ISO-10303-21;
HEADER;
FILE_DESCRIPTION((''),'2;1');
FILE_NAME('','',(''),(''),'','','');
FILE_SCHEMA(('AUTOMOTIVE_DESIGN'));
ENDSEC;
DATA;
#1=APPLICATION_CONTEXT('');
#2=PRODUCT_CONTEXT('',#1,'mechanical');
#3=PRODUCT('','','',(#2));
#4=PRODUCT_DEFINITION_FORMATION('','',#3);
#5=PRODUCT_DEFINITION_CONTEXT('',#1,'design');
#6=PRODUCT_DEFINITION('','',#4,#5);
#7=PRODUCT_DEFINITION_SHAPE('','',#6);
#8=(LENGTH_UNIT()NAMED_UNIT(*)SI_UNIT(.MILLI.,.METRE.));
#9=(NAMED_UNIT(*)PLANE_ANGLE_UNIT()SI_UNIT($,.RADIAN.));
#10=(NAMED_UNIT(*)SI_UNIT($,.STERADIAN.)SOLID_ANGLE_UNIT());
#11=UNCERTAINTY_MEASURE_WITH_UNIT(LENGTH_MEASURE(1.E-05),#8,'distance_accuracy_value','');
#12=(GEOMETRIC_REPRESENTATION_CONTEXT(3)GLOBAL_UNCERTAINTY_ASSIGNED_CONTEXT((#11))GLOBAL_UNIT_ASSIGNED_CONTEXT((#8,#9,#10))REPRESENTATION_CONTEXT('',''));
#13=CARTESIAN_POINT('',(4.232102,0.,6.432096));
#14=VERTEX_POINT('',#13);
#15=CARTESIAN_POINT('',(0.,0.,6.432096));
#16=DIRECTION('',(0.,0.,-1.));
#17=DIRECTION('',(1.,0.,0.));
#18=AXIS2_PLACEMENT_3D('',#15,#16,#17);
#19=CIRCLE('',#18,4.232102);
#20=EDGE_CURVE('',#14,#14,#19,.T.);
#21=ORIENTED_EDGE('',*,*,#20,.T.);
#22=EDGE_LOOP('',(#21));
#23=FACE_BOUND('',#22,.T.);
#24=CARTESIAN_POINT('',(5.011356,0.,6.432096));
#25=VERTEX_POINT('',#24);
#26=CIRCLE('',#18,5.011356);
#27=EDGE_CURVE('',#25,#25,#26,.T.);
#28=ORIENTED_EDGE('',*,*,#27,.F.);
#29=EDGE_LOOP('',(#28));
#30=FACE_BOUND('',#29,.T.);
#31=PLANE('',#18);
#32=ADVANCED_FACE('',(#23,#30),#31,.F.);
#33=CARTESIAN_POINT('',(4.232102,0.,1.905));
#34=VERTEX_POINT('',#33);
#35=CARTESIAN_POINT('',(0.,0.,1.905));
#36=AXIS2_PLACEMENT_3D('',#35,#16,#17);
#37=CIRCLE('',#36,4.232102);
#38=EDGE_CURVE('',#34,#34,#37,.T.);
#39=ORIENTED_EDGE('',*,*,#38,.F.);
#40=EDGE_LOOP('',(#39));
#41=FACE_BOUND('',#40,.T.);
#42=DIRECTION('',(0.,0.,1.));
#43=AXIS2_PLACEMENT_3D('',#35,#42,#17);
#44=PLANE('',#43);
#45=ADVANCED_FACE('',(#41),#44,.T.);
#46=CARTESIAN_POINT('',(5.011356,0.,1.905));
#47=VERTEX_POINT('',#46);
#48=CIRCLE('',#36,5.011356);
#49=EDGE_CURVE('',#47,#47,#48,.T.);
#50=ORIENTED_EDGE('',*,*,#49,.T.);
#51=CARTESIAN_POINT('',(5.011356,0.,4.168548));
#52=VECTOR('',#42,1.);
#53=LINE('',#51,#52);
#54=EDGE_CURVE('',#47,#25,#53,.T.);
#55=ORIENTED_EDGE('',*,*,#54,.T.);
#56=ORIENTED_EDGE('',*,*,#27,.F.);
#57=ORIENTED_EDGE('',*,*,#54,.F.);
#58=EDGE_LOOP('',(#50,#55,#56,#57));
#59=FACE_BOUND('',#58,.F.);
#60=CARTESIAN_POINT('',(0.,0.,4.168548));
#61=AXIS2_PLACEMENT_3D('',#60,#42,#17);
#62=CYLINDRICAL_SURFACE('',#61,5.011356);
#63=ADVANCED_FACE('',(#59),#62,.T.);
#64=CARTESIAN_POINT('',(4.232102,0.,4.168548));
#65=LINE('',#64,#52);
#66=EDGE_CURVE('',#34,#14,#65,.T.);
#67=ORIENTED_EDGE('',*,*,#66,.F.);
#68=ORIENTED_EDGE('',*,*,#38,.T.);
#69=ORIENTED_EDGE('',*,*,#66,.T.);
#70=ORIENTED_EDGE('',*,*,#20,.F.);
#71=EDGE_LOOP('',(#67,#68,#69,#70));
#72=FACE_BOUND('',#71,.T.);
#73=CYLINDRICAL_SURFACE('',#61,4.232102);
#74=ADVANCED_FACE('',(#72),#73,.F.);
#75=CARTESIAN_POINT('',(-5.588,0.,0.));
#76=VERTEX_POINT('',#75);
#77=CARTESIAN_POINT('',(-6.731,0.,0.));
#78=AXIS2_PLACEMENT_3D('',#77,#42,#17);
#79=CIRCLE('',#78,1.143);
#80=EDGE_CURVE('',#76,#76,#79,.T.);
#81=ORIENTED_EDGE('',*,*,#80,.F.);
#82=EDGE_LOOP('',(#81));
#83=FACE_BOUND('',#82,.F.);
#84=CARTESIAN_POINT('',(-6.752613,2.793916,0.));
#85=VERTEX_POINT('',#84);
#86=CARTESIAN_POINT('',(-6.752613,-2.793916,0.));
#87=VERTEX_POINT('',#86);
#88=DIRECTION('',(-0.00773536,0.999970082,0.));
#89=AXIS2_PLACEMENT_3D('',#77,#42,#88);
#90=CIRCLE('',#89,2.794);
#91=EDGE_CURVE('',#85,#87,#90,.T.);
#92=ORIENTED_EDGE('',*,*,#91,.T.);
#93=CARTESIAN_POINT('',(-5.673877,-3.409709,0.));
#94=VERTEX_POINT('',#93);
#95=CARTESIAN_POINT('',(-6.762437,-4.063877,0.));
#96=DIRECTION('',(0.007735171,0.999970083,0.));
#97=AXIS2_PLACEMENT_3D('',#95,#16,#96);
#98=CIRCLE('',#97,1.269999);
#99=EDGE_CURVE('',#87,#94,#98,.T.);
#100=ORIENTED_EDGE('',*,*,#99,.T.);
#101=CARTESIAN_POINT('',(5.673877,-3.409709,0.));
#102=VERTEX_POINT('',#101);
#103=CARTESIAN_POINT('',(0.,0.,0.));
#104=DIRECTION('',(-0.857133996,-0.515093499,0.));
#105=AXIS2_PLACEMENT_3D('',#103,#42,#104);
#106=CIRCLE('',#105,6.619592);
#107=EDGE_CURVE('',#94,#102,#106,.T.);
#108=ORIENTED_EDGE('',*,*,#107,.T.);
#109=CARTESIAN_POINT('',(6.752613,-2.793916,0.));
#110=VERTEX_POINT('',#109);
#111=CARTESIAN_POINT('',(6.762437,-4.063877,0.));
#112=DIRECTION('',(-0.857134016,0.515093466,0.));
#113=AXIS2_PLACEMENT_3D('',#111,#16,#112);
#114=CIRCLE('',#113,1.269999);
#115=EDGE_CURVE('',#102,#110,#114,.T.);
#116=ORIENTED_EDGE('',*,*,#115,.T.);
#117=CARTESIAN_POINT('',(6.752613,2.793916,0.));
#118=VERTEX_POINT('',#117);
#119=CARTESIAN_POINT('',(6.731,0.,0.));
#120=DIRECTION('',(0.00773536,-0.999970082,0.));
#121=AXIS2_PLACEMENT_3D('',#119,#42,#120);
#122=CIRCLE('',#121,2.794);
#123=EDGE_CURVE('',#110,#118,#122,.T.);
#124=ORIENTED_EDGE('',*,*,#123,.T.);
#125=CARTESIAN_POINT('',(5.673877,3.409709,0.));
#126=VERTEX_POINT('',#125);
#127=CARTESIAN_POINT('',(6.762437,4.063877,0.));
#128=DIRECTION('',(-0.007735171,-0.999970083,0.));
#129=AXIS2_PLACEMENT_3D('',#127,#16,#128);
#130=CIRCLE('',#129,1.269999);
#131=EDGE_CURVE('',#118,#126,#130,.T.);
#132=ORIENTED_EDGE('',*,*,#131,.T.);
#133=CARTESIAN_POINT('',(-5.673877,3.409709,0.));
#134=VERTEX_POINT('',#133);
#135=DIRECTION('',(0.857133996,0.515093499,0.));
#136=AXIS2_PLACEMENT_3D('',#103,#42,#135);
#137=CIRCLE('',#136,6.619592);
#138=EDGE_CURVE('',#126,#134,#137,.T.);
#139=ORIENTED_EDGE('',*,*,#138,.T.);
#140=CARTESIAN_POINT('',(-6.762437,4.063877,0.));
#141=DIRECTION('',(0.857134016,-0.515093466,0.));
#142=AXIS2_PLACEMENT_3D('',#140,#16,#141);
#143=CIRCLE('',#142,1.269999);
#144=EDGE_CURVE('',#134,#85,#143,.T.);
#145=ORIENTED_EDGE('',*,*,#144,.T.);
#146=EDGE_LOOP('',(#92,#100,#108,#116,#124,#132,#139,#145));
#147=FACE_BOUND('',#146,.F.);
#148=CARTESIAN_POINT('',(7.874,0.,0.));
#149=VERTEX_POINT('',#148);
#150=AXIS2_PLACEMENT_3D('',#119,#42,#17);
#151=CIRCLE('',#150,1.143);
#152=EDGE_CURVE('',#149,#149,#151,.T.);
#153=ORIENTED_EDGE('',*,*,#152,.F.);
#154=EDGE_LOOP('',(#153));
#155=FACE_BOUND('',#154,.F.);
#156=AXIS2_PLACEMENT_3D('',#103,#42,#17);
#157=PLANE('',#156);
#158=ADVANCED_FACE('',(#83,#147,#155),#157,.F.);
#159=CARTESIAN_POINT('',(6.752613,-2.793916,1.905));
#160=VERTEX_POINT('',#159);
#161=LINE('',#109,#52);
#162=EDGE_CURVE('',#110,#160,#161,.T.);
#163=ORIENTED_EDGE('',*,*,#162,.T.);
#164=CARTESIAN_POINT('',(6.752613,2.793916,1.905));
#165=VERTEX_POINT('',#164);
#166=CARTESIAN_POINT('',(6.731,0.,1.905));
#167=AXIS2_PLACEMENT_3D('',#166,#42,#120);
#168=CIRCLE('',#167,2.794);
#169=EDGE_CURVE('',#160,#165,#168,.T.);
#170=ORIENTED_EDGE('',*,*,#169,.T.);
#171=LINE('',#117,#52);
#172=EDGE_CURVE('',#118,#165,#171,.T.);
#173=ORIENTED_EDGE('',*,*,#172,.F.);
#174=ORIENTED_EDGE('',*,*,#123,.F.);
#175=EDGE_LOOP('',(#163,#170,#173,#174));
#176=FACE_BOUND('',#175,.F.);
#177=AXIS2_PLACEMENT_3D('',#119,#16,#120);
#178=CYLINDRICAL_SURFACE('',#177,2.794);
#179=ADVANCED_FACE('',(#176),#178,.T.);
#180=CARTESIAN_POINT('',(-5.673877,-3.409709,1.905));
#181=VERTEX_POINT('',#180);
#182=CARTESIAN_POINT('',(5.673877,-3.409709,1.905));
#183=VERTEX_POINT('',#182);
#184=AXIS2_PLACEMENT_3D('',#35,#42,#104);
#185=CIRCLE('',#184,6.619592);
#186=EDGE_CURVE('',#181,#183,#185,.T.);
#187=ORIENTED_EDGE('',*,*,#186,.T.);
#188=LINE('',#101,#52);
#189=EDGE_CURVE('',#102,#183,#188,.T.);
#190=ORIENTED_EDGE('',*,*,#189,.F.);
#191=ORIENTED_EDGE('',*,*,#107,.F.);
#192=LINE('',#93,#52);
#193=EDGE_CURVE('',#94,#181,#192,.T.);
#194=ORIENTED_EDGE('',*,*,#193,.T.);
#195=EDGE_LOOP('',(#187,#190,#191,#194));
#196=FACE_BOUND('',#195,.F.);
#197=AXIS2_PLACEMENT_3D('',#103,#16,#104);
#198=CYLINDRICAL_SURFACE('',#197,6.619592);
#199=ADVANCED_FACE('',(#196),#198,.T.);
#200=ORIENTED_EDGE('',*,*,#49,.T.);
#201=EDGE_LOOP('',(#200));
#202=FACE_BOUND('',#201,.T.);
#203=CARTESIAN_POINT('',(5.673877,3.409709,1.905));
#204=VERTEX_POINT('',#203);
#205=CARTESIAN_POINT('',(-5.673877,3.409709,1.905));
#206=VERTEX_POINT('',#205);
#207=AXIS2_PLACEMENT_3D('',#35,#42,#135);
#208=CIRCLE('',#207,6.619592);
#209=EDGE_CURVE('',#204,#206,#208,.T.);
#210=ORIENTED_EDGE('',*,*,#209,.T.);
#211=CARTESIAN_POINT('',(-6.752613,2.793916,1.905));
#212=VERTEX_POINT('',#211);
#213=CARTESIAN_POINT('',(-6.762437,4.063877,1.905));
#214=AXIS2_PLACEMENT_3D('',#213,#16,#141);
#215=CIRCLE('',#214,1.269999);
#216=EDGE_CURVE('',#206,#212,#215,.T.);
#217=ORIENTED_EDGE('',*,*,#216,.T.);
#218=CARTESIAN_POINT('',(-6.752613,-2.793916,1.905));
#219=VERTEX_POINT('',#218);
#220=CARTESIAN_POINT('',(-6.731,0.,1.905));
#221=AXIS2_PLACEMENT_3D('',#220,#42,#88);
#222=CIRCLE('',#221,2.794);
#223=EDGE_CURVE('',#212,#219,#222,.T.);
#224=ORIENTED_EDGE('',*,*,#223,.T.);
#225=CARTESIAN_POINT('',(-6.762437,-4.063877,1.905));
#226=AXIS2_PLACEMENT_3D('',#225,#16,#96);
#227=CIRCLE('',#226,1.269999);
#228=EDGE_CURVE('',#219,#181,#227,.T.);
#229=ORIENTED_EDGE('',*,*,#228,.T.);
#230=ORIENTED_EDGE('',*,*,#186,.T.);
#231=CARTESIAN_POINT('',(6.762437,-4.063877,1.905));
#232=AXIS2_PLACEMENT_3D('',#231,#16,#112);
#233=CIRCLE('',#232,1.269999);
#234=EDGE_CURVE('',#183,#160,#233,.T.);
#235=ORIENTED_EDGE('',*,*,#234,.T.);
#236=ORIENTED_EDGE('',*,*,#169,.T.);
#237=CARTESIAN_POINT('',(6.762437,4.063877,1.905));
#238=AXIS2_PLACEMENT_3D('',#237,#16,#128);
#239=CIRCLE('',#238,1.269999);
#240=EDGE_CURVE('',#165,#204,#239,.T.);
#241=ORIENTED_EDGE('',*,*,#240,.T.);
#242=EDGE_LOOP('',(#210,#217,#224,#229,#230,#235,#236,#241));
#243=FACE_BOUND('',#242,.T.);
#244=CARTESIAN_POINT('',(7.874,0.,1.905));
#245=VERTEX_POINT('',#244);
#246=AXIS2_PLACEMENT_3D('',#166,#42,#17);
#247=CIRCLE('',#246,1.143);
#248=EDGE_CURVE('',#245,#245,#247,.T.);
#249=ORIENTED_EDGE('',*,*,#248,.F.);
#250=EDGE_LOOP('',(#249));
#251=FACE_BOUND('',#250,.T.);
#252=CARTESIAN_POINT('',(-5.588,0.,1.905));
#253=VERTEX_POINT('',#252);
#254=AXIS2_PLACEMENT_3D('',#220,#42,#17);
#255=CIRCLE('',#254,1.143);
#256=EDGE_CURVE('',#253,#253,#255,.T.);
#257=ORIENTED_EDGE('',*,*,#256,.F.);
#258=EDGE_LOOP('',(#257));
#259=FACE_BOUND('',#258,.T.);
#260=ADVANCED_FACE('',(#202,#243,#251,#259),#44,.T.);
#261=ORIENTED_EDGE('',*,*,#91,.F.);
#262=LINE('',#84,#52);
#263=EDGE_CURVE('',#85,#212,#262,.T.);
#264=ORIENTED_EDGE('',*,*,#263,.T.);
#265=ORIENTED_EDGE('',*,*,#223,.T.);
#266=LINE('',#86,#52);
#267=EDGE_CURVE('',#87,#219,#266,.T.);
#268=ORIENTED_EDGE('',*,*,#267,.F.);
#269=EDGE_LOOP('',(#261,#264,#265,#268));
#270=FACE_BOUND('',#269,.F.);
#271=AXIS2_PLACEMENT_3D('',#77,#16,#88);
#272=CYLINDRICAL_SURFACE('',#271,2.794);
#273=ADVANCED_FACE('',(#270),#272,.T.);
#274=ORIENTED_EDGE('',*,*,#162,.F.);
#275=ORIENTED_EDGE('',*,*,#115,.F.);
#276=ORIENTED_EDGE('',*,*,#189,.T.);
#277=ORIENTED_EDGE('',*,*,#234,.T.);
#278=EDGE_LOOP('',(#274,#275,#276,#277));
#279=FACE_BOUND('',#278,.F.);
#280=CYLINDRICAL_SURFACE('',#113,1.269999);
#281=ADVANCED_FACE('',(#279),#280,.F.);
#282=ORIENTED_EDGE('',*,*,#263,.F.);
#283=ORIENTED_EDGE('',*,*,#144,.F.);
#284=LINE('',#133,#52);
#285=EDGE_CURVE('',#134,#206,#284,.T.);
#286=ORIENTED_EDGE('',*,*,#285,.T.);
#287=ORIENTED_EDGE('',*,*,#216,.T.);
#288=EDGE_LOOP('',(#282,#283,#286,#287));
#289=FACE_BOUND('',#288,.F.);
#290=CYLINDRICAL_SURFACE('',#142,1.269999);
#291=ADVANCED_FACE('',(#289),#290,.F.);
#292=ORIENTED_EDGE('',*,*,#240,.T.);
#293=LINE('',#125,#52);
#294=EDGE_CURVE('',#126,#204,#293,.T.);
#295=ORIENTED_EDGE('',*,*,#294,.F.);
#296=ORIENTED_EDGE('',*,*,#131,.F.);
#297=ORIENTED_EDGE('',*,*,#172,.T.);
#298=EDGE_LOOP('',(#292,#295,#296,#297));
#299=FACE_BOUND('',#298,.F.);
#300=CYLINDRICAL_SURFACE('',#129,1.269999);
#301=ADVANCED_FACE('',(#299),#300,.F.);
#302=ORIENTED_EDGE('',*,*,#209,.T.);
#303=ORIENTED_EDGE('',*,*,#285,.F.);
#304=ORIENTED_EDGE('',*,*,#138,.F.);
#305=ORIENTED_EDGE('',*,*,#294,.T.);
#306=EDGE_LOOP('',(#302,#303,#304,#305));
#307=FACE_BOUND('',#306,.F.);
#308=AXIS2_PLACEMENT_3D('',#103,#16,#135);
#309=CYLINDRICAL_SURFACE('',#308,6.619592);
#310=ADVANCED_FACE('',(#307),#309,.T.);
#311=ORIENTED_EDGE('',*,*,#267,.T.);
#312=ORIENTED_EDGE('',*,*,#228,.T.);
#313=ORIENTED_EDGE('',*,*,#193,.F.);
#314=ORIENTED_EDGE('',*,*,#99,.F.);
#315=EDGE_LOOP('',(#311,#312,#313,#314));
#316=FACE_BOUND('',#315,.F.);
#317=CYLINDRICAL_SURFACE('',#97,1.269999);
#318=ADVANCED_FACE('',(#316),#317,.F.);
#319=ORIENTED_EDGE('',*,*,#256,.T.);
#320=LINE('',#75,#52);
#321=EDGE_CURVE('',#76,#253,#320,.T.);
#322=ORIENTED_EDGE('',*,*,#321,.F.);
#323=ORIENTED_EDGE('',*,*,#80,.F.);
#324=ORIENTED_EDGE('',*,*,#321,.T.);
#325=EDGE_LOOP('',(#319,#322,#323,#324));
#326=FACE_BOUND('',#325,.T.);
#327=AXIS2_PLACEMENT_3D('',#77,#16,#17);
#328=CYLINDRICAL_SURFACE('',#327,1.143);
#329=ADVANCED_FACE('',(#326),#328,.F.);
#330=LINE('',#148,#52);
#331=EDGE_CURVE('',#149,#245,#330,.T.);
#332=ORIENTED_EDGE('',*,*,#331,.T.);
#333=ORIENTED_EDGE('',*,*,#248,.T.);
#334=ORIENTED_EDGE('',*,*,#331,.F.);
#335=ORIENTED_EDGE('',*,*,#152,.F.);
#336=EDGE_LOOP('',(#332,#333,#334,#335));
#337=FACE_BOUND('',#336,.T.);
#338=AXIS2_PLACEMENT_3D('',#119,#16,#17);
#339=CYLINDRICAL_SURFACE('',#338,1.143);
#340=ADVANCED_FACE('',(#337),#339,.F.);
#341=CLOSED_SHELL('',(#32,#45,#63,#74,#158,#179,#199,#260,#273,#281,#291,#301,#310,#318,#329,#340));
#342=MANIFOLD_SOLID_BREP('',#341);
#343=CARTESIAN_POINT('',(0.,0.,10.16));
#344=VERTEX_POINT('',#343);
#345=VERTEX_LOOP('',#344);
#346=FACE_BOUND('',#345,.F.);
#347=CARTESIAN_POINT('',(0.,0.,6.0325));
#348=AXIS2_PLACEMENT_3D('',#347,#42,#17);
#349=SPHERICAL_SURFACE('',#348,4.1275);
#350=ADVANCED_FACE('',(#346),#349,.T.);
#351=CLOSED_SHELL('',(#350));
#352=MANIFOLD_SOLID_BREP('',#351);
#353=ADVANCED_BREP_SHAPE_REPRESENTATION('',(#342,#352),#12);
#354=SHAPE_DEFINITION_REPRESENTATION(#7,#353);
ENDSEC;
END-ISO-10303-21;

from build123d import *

# Parameters (mm, degrees)
F0_R     = 1.143
F1_DEPTH = 1.905
F4_W     = 0.779254
F4_H     = 4.527096


with BuildPart() as f1:
    # F0 (on Top) → F1 (new body)
    with BuildSketch(Plane.XY):
        with BuildLine():
            ThreePointArc((-6.752613, -2.793916), (-6.132824, -2.960933), (-5.673877, -3.409709))
            ThreePointArc((-5.673877, -3.409709), (0, -6.619592), (5.673877, -3.409709))
            ThreePointArc((5.673877, -3.409709), (6.132824, -2.960933), (6.752613, -2.793916))
            ThreePointArc((6.752613, -2.793916), (9.525, 0), (6.752613, 2.793916))
            ThreePointArc((6.752613, 2.793916), (6.132824, 2.960933), (5.673877, 3.409709))
            ThreePointArc((5.673877, 3.409709), (0, 6.619592), (-5.673877, 3.409709))
            ThreePointArc((-5.673877, 3.409709), (-6.132824, 2.960933), (-6.752613, 2.793916))
            ThreePointArc((-6.752613, 2.793916), (-9.525, 0), (-6.752613, -2.793916))
        make_face()
        with Locations((-6.731, 0)):
            Circle(F0_R, mode=Mode.SUBTRACT)
        with Locations((6.731, 0)):
            Circle(F0_R, mode=Mode.SUBTRACT)
    extrude(amount=F1_DEPTH)

    # F4 (on Front) → F5 (revolve)
    with BuildSketch(Plane.XZ):
        with Locations((4.621729, 4.168548)):
            Rectangle(F4_W, F4_H)
    revolve(axis=Axis((0, 0, 4.886028), (0, 0, -1)))


with BuildPart() as f3:
    # F2 (on Front) → F3 (revolve)
    with BuildSketch(Plane.XZ):
        with BuildLine():
            ThreePointArc((0, 1.905), (4.1275, 6.0325), (0, 10.16))
            Line((0, 10.16), (0, 1.905))
        make_face()
    revolve(axis=Axis((0, 0, 6.0325), (0, 0, -1)))


solid = Compound([f1.part, f3.part])
